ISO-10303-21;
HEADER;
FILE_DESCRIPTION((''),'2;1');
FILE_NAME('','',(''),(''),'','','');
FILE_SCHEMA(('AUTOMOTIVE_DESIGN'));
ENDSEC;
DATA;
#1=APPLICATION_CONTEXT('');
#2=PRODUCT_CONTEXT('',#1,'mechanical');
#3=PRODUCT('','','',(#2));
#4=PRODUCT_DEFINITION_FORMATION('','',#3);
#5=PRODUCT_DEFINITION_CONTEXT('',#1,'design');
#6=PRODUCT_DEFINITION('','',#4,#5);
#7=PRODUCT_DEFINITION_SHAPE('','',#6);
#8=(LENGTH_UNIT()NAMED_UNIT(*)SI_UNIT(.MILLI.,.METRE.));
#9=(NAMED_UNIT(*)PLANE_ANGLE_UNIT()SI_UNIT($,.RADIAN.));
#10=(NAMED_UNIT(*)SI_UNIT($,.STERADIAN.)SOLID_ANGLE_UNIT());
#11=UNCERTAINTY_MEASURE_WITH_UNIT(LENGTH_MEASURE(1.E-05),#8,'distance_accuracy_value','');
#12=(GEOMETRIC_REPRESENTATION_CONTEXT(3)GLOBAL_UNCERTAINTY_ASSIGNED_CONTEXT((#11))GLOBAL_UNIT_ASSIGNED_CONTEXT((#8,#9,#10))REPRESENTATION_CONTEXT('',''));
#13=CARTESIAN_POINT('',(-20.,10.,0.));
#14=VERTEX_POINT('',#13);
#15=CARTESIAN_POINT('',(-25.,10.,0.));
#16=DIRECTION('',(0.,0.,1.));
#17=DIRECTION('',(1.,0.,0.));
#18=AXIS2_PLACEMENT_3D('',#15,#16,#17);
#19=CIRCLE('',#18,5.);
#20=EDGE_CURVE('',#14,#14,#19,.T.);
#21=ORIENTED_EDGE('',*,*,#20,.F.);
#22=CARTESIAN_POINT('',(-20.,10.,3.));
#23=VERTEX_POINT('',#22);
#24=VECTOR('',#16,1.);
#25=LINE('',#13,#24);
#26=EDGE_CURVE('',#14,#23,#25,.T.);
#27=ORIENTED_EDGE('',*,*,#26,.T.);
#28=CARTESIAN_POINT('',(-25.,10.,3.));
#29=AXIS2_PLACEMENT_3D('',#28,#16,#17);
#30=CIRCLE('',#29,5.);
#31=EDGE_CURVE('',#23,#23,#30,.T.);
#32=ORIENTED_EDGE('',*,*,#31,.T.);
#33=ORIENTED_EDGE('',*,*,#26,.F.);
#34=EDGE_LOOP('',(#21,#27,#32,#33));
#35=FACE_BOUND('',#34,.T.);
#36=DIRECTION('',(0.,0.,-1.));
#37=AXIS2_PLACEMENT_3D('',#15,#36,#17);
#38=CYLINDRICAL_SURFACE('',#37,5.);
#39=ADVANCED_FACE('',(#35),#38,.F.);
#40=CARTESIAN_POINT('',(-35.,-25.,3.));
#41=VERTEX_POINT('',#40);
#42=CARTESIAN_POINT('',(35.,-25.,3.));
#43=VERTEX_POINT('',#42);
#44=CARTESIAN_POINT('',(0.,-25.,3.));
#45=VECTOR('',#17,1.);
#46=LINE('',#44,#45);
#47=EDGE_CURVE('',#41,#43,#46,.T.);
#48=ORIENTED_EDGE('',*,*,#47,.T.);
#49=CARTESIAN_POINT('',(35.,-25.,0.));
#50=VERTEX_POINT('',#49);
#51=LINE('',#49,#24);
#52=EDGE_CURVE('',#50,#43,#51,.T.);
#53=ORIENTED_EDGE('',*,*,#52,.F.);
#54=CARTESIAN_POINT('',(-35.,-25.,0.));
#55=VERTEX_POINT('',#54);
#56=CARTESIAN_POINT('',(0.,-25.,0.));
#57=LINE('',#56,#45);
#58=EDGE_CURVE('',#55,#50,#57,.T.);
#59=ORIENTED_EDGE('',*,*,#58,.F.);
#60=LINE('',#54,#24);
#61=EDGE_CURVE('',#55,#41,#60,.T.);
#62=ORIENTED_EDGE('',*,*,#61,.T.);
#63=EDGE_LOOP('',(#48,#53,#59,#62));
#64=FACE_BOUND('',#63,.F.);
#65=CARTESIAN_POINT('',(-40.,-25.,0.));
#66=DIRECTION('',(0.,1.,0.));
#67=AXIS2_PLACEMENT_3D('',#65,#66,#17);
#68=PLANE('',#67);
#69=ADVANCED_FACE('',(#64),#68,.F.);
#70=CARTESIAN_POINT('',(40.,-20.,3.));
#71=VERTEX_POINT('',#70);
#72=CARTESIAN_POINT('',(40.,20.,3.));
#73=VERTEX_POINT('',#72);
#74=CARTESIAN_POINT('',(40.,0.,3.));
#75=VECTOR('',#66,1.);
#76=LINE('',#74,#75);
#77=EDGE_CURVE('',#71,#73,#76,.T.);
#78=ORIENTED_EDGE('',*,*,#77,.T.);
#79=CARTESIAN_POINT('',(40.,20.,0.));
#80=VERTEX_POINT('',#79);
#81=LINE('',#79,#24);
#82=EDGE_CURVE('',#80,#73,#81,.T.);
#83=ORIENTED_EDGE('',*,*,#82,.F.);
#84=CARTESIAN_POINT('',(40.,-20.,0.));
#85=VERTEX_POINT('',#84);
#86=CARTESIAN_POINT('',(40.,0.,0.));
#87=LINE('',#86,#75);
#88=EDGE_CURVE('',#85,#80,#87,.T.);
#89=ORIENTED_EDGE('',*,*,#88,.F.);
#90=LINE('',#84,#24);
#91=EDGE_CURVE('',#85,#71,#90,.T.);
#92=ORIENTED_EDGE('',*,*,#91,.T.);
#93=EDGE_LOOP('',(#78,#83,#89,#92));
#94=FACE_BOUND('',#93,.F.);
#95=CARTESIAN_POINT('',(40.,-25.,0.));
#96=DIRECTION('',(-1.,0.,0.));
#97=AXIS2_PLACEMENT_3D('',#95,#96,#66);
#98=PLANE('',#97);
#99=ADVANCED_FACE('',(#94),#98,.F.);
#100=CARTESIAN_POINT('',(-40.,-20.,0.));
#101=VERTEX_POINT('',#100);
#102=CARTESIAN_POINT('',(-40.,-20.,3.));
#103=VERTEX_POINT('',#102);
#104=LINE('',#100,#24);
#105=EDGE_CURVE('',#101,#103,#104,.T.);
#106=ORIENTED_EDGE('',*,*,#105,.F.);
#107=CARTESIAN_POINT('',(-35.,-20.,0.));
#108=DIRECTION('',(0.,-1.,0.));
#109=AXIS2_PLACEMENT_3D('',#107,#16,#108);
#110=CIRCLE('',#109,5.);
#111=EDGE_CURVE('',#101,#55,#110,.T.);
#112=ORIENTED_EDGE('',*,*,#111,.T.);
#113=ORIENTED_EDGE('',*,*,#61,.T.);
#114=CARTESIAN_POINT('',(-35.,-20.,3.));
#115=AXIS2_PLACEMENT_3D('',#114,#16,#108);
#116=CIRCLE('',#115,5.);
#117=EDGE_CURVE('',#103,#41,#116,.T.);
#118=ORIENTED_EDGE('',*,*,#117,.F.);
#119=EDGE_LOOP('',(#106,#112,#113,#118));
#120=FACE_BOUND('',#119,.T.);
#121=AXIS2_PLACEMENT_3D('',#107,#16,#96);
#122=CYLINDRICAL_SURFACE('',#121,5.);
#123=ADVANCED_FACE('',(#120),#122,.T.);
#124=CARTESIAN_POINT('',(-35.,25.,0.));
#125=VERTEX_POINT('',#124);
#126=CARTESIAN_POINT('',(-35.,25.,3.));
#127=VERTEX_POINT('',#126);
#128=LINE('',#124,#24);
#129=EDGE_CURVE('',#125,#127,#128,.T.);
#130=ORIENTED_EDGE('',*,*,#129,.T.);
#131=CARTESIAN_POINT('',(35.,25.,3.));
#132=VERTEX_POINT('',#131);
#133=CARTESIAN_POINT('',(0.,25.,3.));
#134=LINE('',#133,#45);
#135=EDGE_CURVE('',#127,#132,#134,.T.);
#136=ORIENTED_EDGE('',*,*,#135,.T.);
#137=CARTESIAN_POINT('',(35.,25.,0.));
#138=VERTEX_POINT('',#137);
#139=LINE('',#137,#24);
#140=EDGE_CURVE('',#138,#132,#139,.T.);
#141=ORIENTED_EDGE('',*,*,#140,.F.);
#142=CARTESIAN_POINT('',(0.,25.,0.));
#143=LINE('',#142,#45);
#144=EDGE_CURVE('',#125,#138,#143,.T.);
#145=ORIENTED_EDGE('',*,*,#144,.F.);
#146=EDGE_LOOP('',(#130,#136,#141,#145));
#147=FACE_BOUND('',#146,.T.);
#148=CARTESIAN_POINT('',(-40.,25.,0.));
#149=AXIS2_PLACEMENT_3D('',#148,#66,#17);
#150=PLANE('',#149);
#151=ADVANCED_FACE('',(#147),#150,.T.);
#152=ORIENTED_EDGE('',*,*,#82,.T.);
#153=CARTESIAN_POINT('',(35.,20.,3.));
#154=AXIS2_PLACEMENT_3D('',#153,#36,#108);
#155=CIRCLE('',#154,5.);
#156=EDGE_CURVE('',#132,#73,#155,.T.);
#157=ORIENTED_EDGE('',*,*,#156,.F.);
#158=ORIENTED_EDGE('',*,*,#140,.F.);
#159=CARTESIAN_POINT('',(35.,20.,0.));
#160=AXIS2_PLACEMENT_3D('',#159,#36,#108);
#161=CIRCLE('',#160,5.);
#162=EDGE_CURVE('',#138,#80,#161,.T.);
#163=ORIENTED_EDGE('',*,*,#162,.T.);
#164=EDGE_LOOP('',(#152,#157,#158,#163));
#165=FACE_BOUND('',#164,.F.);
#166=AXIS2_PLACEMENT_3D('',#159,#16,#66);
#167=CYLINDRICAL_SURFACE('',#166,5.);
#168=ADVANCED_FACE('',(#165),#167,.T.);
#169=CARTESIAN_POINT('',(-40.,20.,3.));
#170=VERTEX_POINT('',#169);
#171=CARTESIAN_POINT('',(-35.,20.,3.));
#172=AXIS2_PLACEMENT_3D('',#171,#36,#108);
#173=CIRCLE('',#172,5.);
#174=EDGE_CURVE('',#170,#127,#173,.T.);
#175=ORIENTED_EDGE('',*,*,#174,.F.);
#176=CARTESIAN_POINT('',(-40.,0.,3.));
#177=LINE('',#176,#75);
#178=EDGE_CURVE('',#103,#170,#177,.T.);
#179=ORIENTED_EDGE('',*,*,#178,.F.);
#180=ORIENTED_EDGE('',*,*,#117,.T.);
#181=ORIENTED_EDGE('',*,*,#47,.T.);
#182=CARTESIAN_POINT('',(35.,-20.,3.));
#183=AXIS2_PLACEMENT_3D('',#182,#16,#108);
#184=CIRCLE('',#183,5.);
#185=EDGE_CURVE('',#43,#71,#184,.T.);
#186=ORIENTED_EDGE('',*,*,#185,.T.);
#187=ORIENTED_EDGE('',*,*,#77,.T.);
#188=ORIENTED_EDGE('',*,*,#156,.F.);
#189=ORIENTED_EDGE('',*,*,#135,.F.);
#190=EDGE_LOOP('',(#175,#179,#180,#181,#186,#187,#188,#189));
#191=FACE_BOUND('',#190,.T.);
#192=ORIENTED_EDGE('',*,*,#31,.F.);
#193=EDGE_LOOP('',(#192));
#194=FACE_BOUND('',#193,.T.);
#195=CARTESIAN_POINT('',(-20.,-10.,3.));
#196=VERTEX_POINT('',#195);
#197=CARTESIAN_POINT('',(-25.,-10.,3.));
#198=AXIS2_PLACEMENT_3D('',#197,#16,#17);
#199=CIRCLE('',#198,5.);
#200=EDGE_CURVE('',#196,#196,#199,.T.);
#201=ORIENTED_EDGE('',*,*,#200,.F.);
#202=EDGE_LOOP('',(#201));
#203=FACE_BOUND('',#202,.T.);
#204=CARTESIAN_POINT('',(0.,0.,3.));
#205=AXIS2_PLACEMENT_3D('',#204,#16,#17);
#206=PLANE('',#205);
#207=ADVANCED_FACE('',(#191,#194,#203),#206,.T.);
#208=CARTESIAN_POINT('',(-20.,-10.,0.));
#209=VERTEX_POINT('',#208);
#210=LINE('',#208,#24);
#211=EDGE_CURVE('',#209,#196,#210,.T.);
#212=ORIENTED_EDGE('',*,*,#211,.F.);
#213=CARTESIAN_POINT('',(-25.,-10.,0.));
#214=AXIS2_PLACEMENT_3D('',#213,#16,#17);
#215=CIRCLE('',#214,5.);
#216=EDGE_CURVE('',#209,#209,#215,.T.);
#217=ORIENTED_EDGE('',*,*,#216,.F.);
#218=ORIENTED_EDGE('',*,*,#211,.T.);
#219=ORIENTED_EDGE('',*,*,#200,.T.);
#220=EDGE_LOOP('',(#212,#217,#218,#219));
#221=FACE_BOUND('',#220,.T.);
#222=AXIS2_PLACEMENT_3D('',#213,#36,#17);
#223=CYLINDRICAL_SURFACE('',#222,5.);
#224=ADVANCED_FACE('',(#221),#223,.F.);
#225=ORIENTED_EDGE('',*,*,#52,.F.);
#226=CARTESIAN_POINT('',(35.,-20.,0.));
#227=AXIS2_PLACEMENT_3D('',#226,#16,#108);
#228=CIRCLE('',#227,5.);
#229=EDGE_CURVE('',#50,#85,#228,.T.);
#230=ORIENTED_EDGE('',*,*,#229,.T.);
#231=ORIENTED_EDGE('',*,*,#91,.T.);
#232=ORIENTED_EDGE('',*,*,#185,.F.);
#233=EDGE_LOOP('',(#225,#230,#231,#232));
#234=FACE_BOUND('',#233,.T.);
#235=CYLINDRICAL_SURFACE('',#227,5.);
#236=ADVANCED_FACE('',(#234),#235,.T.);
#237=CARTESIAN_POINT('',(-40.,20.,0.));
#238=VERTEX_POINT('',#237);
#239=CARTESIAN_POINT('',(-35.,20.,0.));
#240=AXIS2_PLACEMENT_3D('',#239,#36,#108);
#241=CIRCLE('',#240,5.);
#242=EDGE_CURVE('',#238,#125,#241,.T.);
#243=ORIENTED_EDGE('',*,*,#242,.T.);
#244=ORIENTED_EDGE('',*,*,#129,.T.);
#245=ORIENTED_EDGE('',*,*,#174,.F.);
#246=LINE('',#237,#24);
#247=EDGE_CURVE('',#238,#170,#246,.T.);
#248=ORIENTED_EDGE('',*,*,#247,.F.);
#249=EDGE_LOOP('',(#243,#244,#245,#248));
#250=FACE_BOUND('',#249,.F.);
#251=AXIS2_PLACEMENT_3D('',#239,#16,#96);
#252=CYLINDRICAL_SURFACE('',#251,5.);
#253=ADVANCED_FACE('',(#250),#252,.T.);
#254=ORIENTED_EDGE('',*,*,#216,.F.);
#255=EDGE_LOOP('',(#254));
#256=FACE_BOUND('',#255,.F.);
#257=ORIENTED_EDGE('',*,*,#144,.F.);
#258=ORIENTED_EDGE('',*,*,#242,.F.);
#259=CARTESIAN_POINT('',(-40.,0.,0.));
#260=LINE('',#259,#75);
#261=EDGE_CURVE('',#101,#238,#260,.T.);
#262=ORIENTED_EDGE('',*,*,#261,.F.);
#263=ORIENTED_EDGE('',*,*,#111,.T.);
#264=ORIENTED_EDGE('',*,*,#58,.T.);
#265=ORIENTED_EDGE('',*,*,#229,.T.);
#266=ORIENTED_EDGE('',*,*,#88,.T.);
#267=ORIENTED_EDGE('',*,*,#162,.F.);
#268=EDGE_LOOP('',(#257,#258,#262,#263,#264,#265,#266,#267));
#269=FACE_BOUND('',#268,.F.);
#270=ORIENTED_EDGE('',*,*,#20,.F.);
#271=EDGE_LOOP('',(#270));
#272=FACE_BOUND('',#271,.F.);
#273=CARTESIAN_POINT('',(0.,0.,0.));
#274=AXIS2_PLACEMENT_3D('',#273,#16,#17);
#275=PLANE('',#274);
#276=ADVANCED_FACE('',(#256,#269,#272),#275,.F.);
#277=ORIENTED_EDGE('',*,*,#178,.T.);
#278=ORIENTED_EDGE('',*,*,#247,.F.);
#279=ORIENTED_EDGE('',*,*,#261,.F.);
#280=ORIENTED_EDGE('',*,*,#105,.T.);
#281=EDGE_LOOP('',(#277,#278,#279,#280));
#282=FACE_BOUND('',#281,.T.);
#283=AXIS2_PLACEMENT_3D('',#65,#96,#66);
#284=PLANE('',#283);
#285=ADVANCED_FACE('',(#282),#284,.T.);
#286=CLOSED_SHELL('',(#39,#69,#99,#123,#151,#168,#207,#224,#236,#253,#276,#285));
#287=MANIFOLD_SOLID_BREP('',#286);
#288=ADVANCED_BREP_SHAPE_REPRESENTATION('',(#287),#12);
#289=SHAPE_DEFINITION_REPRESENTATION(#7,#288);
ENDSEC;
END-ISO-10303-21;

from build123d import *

# Parameters (mm, degrees)
F0_W     = 80
F0_H     = 50
F0_R     = 5
F1_DEPTH = 3
F2_R     = 5


with BuildPart() as f1:
    # F0 (on Top) → F1 (new body)
    with BuildSketch(Plane.XY):
        Rectangle(F0_W, F0_H)
        with Locations((-25, -10)):
            Circle(F0_R, mode=Mode.SUBTRACT)
        with Locations((-25, 10)):
            Circle(F0_R, mode=Mode.SUBTRACT)
    extrude(amount=F1_DEPTH)

    # F2
    f2_edges = [f1.edges().sort_by_distance(p)[0] for p in [
        (-40, 25, 1.5),
        (-40, -25, 1.5),
        (40, 25, 1.5),
        (40, -25, 1.5),
    ]]
    fillet(f2_edges, radius=F2_R)


solid = f1.part
